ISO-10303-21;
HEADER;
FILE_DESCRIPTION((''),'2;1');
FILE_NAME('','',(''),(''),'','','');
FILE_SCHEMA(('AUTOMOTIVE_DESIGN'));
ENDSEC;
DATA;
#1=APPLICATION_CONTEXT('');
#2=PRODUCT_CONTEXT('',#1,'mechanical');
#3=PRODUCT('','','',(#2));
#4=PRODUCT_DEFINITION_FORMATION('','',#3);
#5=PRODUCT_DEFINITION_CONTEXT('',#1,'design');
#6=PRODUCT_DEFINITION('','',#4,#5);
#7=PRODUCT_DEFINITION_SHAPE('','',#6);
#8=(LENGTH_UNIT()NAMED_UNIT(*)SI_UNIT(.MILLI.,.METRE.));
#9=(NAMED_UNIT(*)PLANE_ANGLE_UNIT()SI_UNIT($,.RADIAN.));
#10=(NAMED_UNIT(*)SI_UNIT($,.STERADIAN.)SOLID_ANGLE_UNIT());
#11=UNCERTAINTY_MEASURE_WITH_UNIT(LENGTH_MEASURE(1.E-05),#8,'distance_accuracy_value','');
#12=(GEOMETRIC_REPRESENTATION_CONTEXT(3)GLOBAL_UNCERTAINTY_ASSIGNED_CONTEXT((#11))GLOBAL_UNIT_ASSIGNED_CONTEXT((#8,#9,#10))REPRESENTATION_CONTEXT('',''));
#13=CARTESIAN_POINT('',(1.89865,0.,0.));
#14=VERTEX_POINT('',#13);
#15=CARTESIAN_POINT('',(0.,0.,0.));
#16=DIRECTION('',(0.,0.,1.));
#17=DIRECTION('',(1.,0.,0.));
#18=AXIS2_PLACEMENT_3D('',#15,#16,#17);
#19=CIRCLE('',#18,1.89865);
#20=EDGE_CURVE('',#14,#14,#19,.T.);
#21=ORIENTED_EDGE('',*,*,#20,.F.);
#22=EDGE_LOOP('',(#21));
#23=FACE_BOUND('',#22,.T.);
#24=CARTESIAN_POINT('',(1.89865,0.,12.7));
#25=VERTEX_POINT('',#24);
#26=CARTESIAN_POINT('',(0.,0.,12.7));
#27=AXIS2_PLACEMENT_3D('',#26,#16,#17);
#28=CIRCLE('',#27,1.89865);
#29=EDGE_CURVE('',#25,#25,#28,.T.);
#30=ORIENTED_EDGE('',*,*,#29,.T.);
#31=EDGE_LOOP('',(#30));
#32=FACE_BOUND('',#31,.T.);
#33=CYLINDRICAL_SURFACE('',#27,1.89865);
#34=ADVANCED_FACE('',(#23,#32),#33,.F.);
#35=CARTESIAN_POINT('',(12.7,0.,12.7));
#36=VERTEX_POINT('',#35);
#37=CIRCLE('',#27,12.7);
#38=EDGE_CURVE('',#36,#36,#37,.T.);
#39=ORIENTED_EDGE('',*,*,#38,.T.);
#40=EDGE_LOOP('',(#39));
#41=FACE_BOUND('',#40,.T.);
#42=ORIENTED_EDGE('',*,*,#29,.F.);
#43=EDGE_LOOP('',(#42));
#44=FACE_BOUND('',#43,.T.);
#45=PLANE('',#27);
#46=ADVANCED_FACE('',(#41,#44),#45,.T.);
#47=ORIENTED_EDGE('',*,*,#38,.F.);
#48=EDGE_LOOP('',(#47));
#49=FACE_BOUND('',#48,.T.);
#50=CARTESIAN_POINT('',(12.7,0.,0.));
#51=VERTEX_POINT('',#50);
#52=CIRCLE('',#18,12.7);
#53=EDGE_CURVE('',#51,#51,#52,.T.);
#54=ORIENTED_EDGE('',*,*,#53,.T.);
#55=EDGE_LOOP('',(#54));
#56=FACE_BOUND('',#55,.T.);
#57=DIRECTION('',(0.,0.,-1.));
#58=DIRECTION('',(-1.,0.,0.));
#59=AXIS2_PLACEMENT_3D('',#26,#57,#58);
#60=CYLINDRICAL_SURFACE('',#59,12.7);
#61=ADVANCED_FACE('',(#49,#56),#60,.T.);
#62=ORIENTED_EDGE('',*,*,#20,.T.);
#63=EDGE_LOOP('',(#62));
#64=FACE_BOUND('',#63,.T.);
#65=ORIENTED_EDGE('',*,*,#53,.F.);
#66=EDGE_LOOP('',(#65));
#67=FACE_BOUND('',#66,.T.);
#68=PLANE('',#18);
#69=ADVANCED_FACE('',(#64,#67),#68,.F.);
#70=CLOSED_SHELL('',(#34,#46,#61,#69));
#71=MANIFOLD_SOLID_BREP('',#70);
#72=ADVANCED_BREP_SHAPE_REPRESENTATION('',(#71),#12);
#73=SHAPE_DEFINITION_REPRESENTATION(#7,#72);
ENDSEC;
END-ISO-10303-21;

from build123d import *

# Parameters (mm, degrees)
SKETCH1_R             = 12.7
BOSS_EXTRUDE1_DEPTH   = 12.7
F_6_CLEARANCE_HOLE1_D = 3.7973


with BuildPart() as part:
    # Sketch1 → Boss-Extrude1 (new body)
    with BuildSketch(Plane.XY):
        Circle(SKETCH1_R)
    extrude(amount=BOSS_EXTRUDE1_DEPTH)

    # #6 Clearance Hole1 (through all)
    with Locations(Plane.XY.offset(12.7)):
        with Locations((0, 0)):
            Hole(F_6_CLEARANCE_HOLE1_D / 2)


solid = part.part
